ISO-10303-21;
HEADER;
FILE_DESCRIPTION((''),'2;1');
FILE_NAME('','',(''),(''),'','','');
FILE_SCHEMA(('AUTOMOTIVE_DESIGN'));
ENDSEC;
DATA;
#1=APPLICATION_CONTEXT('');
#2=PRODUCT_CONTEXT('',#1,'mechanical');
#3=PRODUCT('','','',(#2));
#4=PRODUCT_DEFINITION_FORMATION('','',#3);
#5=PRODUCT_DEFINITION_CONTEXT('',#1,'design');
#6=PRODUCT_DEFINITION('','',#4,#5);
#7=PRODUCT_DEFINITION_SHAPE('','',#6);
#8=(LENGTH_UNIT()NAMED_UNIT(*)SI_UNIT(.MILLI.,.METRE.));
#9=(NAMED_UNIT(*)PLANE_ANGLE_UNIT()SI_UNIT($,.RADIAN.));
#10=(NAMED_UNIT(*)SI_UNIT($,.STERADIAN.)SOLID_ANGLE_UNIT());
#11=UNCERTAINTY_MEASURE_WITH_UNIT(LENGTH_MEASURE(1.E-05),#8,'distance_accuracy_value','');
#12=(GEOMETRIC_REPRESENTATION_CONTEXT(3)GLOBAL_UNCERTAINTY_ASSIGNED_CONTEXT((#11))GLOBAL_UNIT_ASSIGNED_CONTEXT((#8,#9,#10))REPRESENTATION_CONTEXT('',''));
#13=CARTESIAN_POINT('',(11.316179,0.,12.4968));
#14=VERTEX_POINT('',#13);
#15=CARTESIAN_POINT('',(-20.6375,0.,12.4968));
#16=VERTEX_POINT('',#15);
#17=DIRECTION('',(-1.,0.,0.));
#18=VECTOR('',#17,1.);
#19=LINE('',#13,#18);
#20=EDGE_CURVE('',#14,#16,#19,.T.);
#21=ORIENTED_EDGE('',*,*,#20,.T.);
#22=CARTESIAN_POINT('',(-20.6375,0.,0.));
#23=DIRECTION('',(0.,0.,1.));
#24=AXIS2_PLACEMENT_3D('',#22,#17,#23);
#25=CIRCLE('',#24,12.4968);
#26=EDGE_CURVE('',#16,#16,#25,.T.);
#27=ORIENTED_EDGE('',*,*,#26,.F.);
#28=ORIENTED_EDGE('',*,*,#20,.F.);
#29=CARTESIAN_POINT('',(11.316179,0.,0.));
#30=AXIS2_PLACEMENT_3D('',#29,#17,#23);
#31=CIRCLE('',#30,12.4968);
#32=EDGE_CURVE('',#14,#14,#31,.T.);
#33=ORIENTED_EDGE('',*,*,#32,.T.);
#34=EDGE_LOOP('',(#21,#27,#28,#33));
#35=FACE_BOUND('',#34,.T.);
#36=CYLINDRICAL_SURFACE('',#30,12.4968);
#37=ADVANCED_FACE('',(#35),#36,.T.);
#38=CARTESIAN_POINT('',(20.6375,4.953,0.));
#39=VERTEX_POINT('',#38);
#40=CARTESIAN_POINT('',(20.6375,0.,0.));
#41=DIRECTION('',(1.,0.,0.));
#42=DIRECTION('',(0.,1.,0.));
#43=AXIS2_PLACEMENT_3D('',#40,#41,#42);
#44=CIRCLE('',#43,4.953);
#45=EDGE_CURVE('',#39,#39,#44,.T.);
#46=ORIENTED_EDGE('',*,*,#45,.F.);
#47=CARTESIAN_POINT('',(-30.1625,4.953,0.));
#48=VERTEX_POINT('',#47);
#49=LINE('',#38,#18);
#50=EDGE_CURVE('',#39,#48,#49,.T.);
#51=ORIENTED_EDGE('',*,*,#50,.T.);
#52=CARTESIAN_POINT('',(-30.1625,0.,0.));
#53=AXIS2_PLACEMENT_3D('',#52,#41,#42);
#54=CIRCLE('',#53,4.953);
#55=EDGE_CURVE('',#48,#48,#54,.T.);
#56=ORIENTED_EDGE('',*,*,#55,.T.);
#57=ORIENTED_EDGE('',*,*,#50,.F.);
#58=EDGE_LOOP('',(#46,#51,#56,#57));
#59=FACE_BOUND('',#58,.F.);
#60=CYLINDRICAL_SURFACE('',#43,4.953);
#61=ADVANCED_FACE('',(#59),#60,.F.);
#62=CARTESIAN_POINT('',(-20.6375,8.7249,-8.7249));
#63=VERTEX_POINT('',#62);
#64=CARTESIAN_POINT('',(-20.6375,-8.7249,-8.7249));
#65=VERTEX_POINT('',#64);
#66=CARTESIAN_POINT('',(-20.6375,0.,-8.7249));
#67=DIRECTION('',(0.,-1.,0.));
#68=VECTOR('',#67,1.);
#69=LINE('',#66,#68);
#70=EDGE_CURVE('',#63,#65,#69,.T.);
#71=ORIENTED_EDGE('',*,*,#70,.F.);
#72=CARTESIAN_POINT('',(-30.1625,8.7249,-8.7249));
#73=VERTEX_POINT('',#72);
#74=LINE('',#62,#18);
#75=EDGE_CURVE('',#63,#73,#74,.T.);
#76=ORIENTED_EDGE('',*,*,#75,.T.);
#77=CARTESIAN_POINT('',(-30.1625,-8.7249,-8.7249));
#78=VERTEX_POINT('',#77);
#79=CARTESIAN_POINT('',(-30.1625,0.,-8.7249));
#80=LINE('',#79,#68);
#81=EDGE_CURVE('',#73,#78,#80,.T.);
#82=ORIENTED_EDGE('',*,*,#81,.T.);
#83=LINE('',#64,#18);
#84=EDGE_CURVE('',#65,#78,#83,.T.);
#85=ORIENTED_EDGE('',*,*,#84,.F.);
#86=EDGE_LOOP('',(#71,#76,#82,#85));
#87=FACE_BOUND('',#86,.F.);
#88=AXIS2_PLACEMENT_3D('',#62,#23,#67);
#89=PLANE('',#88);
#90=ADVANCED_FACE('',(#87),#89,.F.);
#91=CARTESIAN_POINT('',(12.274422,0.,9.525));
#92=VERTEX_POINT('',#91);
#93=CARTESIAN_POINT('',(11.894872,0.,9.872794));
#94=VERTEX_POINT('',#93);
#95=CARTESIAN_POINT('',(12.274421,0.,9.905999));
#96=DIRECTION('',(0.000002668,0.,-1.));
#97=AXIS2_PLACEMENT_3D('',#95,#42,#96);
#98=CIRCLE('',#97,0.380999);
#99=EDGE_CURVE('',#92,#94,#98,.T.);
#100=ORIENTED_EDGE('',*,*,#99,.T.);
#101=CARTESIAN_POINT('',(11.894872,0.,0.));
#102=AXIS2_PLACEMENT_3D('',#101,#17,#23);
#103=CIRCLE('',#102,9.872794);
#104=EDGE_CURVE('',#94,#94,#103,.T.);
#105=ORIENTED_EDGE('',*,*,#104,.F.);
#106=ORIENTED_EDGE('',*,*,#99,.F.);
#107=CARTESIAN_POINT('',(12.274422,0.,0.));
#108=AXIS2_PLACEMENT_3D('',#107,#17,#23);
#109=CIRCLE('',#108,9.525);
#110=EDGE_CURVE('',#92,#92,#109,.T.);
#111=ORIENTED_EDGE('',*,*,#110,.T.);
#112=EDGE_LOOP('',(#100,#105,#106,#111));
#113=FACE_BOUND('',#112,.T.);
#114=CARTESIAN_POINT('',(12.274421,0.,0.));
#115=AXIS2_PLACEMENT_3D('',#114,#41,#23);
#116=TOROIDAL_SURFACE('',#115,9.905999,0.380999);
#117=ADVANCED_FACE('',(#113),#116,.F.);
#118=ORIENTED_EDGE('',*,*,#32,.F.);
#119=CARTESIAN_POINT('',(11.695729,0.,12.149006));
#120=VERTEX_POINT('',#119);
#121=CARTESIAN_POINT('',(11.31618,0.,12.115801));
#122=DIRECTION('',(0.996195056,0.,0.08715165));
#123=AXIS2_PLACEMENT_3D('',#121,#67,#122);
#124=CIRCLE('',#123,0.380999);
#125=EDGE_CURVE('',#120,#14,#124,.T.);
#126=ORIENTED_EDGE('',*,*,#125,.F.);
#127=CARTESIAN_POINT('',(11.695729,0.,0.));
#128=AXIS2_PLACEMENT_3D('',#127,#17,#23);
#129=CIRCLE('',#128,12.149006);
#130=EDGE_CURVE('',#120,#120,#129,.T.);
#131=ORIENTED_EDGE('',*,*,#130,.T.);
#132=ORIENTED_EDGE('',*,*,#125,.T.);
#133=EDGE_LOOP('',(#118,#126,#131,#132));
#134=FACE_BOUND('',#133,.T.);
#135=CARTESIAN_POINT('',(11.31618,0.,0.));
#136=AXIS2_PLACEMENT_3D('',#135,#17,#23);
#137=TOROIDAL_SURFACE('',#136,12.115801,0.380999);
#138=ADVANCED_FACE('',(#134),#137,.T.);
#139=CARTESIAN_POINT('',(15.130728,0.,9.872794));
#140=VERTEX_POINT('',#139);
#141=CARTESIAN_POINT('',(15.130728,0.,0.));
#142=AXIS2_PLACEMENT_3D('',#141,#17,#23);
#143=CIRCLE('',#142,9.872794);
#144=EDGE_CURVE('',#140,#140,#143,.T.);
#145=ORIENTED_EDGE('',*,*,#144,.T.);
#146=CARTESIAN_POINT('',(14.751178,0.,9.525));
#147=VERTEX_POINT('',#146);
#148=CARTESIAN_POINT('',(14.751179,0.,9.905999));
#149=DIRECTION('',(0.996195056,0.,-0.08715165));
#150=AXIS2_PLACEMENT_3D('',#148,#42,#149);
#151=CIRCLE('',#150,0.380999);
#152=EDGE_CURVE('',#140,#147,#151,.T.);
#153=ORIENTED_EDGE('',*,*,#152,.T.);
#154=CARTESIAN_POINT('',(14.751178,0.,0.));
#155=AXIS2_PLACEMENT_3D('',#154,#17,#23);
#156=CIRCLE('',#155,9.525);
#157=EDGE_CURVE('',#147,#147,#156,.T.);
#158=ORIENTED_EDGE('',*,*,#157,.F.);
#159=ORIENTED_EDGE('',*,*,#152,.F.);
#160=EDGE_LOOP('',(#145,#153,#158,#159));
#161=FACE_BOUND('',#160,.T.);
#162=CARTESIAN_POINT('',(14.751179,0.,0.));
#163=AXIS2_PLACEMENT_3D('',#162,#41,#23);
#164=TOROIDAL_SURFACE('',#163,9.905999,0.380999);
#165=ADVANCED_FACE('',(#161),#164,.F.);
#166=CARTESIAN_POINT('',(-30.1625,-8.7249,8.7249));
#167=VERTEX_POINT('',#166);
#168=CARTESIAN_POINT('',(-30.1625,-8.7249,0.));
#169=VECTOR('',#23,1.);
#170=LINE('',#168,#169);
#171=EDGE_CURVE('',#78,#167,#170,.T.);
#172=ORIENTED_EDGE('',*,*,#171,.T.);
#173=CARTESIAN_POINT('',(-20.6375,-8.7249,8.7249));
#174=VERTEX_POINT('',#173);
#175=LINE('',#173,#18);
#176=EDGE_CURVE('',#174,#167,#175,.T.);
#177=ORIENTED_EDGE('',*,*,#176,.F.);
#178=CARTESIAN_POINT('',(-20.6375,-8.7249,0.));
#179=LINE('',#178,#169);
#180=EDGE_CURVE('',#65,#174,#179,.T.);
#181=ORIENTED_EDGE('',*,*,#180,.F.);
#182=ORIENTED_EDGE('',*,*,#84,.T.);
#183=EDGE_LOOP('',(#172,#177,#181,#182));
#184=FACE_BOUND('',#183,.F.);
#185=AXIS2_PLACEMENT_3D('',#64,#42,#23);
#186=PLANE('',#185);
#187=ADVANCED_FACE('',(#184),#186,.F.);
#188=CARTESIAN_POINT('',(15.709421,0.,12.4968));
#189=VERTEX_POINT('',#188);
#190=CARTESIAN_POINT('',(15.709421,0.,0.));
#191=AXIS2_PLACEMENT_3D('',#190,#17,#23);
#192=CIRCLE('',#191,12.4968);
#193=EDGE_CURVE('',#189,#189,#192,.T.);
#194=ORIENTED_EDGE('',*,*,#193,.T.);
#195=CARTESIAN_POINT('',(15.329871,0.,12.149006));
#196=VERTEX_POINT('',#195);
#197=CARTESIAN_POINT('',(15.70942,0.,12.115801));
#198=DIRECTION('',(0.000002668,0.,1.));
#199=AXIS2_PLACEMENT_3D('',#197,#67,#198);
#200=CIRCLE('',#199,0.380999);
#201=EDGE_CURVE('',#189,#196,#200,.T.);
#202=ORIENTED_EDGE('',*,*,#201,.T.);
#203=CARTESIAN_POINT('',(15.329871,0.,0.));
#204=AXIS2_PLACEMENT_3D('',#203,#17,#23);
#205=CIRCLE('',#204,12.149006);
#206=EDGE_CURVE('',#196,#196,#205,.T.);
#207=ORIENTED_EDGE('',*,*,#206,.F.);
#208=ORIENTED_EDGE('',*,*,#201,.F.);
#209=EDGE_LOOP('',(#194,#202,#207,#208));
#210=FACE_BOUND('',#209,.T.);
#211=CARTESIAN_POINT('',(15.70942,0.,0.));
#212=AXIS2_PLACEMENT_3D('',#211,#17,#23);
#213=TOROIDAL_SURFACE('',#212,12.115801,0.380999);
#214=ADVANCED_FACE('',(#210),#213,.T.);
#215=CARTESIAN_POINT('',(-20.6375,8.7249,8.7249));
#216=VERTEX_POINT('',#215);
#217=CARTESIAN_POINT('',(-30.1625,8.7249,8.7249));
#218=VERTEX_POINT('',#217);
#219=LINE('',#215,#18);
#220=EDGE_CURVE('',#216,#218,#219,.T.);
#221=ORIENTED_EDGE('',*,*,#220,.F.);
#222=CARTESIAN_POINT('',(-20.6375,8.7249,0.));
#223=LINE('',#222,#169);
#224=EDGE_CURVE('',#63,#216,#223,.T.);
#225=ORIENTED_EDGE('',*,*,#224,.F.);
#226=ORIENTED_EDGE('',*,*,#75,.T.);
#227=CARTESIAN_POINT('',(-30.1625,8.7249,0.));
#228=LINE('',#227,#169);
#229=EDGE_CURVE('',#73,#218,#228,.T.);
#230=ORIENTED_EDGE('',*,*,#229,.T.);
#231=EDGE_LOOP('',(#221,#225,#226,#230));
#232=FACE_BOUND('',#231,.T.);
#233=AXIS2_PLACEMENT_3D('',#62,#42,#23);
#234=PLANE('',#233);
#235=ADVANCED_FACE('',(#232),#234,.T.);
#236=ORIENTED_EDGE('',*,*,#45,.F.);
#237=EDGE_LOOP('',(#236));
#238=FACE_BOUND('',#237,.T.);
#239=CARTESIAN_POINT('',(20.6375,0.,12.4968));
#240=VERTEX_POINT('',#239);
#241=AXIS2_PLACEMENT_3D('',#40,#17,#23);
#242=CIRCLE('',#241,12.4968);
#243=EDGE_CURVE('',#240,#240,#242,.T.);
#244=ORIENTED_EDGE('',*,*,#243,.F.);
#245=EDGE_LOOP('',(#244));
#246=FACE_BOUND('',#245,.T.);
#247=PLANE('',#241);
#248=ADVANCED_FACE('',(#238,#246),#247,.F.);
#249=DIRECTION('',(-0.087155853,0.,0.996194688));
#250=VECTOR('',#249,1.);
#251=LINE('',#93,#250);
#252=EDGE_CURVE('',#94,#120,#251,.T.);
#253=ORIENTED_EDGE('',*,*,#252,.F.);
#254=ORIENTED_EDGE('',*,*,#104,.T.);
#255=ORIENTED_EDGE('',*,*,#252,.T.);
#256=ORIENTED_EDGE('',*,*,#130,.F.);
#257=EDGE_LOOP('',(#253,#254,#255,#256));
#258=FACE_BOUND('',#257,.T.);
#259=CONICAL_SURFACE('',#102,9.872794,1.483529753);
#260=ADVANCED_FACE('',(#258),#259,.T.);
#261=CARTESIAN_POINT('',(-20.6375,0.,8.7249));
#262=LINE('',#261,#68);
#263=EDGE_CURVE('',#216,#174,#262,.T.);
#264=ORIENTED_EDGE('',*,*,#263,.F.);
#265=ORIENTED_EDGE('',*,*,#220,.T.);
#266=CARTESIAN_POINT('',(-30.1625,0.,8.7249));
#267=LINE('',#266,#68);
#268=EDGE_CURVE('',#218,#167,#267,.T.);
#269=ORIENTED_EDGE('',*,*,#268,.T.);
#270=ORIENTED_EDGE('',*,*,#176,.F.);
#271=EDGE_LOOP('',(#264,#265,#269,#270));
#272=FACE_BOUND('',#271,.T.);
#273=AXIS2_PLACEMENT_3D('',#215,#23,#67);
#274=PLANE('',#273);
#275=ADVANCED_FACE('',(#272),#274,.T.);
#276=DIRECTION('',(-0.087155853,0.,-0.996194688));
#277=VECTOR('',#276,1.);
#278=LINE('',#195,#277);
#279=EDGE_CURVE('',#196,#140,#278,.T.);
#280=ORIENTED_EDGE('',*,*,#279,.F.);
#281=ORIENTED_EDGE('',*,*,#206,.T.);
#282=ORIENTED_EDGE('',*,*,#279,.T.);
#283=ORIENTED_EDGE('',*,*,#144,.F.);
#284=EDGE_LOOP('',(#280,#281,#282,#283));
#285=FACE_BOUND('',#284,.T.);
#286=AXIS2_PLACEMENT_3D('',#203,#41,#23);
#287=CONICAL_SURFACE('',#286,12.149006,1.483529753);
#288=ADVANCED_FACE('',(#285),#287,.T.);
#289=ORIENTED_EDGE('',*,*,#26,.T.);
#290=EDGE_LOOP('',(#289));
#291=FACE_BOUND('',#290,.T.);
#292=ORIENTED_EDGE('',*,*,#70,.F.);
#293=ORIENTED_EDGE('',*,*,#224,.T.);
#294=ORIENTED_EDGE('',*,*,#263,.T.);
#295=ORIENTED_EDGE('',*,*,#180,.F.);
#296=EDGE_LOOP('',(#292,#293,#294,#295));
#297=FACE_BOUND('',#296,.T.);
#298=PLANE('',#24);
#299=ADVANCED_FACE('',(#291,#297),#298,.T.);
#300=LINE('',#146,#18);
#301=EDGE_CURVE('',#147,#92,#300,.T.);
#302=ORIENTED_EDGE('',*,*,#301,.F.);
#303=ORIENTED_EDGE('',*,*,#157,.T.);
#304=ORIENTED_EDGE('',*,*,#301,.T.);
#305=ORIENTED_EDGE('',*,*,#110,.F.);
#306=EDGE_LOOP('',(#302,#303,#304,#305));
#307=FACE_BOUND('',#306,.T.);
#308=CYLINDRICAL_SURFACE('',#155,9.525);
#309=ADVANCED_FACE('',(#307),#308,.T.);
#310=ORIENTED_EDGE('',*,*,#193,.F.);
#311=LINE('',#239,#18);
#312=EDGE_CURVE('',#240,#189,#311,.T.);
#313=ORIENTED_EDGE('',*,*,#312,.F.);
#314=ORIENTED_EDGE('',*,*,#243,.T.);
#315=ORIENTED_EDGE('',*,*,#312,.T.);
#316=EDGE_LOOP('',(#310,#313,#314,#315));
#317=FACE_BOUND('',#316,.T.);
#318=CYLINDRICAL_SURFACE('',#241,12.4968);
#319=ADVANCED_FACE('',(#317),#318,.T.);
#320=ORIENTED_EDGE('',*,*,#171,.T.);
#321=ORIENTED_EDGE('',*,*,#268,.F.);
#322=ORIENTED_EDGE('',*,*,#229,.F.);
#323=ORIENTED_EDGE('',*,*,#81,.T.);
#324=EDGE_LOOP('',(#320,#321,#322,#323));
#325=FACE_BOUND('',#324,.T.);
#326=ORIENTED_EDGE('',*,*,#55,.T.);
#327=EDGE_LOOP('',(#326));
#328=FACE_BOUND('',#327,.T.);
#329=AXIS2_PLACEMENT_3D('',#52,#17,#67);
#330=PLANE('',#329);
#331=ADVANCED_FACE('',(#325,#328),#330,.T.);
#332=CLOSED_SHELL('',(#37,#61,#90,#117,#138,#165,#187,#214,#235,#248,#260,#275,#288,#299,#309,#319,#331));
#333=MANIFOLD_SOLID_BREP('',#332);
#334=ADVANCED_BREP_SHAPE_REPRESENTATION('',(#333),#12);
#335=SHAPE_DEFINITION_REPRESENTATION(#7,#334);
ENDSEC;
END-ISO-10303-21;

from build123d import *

# Parameters (mm, degrees)
F2_W     = 17.4498
F2_H     = 17.4498
F3_DEPTH = 9.525
F4_R     = 4.953
F5_DEPTH = 50.801


with BuildPart() as f1:
    # F0 (on Front) → F1 (revolve)
    with BuildSketch(Plane.XZ):
        with BuildLine():
            Line((11.316179, 12.4968), (-20.6375, 12.4968))
            Line((-20.6375, 12.4968), (-20.6375, 0))
            Line((-20.6375, 0), (20.6375, 0))
            Line((20.6375, 0), (20.6375, 12.4968))
            Line((20.6375, 12.4968), (15.709421, 12.4968))
            ThreePointArc((15.709421, 12.4968), (15.452021, 12.396703), (15.329871, 12.149006))
            Line((15.329871, 12.149006), (15.130728, 9.872794))
            ThreePointArc((15.130728, 9.872794), (15.008578, 9.625097), (14.751178, 9.525))
            Line((14.751178, 9.525), (12.274422, 9.525))
            ThreePointArc((12.274422, 9.525), (12.017022, 9.625097), (11.894872, 9.872794))
            Line((11.894872, 9.872794), (11.695729, 12.149006))
            ThreePointArc((11.695729, 12.149006), (11.573579, 12.396703), (11.316179, 12.4968))
        make_face()
    revolve(axis=Axis((-2.210241, 0, 0), (-1, 0, 0)))

    # F2 (on face) → F3 (join)
    with BuildSketch(Plane(origin=(-20.6375, 0, 0), x_dir=(0, -1, 0), z_dir=(-1, 0, 0))):
        Rectangle(F2_W, F2_H)
    extrude(amount=F3_DEPTH)

    # F4 (on face) → F5 (cut, through all)
    with BuildSketch(Plane.YZ.offset(20.6375)):
        Circle(F4_R)
    extrude(amount=-F5_DEPTH, mode=Mode.SUBTRACT)


solid = f1.part
